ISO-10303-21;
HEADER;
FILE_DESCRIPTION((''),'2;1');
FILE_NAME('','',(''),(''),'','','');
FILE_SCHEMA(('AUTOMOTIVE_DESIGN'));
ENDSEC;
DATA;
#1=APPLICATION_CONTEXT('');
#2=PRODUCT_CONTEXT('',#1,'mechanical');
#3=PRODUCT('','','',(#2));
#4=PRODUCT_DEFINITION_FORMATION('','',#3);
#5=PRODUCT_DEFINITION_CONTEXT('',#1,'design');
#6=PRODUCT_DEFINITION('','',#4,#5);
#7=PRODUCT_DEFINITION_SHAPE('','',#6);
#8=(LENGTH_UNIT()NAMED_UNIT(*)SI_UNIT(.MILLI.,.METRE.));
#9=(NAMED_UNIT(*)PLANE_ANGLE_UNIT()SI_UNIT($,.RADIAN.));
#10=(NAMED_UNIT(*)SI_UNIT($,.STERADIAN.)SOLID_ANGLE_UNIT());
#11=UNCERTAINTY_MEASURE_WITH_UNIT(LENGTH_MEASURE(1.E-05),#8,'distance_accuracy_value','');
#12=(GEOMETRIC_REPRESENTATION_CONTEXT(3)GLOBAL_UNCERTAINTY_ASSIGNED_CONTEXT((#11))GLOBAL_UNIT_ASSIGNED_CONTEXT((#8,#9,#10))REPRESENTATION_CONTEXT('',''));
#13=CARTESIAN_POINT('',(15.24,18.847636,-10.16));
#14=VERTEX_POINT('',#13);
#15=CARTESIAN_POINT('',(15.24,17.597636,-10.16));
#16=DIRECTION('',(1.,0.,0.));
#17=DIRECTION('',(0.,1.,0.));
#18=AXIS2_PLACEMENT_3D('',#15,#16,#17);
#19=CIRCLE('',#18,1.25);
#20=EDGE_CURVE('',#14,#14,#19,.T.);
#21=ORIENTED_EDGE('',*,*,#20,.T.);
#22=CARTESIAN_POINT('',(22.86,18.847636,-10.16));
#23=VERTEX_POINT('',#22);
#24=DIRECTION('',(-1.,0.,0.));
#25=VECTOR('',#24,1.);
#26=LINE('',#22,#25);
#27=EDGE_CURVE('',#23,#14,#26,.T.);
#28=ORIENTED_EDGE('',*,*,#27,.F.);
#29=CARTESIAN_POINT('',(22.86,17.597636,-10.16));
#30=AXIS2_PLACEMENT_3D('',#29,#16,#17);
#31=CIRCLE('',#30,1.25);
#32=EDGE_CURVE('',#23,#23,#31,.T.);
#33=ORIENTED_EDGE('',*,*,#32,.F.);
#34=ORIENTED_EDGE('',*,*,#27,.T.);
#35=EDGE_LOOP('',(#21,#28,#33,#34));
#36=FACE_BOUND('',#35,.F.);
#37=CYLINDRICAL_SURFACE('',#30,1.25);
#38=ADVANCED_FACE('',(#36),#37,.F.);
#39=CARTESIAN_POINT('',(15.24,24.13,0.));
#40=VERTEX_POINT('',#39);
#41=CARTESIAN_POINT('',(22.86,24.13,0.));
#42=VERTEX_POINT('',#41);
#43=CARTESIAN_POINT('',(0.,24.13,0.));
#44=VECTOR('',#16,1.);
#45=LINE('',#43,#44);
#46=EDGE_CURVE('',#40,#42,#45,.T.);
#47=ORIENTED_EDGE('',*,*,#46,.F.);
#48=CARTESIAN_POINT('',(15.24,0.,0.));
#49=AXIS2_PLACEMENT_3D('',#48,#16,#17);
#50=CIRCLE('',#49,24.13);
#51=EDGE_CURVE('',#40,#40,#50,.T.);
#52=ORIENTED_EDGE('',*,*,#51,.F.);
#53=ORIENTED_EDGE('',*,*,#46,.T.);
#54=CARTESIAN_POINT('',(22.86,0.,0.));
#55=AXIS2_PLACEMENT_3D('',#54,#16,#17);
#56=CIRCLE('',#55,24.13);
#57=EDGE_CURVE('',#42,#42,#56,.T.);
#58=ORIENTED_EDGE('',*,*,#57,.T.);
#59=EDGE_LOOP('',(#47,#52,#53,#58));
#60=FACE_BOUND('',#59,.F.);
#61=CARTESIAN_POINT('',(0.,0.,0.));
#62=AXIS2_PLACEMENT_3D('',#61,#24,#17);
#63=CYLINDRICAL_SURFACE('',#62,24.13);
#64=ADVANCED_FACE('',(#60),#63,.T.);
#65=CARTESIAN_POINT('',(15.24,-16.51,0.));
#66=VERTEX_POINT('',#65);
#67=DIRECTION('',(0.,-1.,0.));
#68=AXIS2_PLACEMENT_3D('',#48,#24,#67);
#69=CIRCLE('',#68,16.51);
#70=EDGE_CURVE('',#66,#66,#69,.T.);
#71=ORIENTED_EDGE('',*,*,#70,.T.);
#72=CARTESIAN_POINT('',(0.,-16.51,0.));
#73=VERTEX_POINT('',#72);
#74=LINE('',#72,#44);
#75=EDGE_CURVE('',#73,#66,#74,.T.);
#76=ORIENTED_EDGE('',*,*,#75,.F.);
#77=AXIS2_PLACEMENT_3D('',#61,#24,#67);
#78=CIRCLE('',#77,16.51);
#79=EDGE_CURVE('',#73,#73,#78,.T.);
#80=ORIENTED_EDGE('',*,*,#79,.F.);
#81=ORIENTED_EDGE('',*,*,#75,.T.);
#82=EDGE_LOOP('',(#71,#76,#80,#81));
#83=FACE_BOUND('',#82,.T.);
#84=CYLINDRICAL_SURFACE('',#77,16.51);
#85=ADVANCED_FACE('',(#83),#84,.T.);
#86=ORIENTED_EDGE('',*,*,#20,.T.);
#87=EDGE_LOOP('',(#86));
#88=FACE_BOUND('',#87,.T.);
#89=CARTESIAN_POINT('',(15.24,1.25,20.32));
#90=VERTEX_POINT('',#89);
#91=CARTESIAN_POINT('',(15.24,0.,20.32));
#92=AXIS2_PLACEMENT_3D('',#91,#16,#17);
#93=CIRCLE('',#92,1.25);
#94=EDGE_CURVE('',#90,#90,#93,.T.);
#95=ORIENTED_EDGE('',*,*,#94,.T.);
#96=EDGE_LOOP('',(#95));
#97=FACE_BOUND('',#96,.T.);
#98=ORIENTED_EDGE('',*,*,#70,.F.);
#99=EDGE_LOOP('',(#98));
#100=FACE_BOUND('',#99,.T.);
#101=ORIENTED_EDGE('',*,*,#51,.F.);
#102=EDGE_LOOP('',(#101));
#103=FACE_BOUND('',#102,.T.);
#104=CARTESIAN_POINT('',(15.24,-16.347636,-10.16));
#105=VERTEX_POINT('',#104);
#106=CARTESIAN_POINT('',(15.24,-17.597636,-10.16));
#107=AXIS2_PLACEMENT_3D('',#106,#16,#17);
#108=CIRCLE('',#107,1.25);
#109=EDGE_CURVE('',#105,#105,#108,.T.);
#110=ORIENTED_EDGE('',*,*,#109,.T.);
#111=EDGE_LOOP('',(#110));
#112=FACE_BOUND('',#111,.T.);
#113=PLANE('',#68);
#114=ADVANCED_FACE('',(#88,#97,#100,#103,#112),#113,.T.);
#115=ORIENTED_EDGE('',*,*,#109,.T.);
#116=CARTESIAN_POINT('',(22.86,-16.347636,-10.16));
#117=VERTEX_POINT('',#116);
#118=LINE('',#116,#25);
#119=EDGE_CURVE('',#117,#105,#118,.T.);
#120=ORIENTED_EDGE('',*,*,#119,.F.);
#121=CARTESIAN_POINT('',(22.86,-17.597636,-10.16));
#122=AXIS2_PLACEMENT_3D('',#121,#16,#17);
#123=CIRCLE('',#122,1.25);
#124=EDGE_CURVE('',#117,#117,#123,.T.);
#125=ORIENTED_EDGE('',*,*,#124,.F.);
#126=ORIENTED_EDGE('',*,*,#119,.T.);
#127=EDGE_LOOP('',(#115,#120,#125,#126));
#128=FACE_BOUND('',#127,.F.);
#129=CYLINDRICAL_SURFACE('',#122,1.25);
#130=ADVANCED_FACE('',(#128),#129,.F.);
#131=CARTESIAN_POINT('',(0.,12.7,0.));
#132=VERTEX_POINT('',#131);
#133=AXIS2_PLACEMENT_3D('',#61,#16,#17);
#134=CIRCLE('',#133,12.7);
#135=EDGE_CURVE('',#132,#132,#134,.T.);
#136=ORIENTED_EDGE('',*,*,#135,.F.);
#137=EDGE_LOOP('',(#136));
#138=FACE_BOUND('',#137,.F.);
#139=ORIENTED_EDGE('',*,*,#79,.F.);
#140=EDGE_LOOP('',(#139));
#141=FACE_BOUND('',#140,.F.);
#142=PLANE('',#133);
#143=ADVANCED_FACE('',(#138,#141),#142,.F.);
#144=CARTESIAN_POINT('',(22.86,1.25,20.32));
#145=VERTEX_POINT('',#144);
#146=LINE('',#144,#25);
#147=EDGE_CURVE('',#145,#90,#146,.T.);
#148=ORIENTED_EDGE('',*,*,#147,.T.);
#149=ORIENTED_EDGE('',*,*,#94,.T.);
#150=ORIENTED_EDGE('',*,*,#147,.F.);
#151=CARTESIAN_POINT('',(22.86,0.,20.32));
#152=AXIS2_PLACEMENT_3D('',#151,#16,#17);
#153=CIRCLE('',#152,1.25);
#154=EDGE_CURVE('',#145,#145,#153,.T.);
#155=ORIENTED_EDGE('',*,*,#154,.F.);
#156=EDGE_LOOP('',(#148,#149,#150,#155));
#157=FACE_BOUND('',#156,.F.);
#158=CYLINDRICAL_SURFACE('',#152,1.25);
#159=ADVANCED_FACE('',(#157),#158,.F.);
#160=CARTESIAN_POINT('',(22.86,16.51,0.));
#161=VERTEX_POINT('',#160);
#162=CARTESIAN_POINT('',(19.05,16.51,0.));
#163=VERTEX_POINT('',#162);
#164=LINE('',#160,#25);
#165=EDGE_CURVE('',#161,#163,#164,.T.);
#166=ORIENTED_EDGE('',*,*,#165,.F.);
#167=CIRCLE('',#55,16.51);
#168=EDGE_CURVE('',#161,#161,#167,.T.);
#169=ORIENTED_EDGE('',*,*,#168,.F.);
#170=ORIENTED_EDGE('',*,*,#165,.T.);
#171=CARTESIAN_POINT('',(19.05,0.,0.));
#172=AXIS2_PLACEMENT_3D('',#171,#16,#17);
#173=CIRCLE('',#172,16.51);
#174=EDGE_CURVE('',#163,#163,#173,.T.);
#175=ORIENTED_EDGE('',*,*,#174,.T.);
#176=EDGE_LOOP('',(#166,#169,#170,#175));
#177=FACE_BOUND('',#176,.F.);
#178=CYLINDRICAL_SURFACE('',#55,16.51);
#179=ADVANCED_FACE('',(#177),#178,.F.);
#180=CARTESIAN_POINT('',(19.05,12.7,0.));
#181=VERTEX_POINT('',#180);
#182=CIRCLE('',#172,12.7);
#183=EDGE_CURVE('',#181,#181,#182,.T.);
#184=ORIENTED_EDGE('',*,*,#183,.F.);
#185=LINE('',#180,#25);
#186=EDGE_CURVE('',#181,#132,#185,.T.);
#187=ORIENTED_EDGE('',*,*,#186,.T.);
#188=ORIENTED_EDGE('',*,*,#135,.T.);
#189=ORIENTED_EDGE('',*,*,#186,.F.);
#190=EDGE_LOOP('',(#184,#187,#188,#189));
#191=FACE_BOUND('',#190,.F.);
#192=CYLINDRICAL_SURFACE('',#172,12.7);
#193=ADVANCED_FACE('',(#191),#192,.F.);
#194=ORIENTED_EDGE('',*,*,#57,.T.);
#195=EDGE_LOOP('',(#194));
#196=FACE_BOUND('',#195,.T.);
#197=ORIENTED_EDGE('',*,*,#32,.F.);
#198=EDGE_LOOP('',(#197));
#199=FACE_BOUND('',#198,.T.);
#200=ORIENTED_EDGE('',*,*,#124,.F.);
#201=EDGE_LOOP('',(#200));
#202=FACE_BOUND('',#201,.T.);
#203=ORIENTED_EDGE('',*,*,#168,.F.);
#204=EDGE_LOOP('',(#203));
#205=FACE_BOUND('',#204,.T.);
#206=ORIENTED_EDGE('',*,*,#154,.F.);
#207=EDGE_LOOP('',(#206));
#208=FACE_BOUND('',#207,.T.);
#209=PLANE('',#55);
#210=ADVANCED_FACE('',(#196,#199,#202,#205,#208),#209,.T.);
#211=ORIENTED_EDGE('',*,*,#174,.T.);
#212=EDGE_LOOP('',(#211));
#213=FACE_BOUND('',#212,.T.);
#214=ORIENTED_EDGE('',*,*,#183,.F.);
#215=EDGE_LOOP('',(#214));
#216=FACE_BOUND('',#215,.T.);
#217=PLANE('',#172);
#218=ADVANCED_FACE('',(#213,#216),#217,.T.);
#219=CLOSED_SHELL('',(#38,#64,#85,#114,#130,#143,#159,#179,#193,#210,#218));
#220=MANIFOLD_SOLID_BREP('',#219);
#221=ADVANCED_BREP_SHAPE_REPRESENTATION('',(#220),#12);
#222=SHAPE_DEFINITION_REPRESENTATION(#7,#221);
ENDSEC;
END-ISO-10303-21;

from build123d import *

# Parameters (mm, degrees)
F0_R        = 24.13
F1_DEPTH    = 22.86
F2_R        = 16.51
F3_DEPTH    = 3.81
F4_R        = 12.7
F5_DEPTH    = 19.05
F6_R        = 24.13
F6_R_2      = 16.51
F7_DEPTH    = 15.24
F8_R        = 1.25
F7_FACE_R   = 24.13
F7_FACE_R_2 = 16.51
F9_DEPTH    = 25.4


with BuildPart() as f1:
    # F0 (on Right) → F1 (new body)
    with BuildSketch(Plane.YZ):
        Circle(F0_R)
    extrude(amount=F1_DEPTH)

    # F2 (on face) → F3 (cut)
    with BuildSketch(Plane.YZ.offset(22.86)):
        Circle(F2_R)
    extrude(amount=-F3_DEPTH, mode=Mode.SUBTRACT)

    # F4 (on face) → F5 (cut, through all)
    with BuildSketch(Plane.YZ.offset(19.05)):
        Circle(F4_R)
    extrude(amount=-F5_DEPTH, mode=Mode.SUBTRACT)

    # F6 (on face) → F7 (cut)
    with BuildSketch(Plane(origin=(0, 0, 0), x_dir=(0, -1, 0), z_dir=(-1, 0, 0))):
        Circle(F6_R)
        Circle(F6_R_2, mode=Mode.SUBTRACT)
    extrude(amount=-F7_DEPTH, mode=Mode.SUBTRACT)

    # F8 (on face) + F7_face (on face) → F9 (cut)
    with BuildSketch(Plane.YZ.offset(22.86)):
        with Locations((0, 20.32)):
            Circle(F8_R)
        with Locations((-17.5976362049, -10.16)):
            Circle(F8_R)
        with Locations((17.5976362049, -10.16)):
            Circle(F8_R)
    with BuildSketch(Plane(origin=(15.24, 0, 0), x_dir=(0, -1, 0), z_dir=(-1, 0, 0))):
        Circle(F7_FACE_R)
        Circle(F7_FACE_R_2, mode=Mode.SUBTRACT)
    extrude(amount=-F9_DEPTH, dir=(1, 0, 0), mode=Mode.SUBTRACT)


solid = f1.part
